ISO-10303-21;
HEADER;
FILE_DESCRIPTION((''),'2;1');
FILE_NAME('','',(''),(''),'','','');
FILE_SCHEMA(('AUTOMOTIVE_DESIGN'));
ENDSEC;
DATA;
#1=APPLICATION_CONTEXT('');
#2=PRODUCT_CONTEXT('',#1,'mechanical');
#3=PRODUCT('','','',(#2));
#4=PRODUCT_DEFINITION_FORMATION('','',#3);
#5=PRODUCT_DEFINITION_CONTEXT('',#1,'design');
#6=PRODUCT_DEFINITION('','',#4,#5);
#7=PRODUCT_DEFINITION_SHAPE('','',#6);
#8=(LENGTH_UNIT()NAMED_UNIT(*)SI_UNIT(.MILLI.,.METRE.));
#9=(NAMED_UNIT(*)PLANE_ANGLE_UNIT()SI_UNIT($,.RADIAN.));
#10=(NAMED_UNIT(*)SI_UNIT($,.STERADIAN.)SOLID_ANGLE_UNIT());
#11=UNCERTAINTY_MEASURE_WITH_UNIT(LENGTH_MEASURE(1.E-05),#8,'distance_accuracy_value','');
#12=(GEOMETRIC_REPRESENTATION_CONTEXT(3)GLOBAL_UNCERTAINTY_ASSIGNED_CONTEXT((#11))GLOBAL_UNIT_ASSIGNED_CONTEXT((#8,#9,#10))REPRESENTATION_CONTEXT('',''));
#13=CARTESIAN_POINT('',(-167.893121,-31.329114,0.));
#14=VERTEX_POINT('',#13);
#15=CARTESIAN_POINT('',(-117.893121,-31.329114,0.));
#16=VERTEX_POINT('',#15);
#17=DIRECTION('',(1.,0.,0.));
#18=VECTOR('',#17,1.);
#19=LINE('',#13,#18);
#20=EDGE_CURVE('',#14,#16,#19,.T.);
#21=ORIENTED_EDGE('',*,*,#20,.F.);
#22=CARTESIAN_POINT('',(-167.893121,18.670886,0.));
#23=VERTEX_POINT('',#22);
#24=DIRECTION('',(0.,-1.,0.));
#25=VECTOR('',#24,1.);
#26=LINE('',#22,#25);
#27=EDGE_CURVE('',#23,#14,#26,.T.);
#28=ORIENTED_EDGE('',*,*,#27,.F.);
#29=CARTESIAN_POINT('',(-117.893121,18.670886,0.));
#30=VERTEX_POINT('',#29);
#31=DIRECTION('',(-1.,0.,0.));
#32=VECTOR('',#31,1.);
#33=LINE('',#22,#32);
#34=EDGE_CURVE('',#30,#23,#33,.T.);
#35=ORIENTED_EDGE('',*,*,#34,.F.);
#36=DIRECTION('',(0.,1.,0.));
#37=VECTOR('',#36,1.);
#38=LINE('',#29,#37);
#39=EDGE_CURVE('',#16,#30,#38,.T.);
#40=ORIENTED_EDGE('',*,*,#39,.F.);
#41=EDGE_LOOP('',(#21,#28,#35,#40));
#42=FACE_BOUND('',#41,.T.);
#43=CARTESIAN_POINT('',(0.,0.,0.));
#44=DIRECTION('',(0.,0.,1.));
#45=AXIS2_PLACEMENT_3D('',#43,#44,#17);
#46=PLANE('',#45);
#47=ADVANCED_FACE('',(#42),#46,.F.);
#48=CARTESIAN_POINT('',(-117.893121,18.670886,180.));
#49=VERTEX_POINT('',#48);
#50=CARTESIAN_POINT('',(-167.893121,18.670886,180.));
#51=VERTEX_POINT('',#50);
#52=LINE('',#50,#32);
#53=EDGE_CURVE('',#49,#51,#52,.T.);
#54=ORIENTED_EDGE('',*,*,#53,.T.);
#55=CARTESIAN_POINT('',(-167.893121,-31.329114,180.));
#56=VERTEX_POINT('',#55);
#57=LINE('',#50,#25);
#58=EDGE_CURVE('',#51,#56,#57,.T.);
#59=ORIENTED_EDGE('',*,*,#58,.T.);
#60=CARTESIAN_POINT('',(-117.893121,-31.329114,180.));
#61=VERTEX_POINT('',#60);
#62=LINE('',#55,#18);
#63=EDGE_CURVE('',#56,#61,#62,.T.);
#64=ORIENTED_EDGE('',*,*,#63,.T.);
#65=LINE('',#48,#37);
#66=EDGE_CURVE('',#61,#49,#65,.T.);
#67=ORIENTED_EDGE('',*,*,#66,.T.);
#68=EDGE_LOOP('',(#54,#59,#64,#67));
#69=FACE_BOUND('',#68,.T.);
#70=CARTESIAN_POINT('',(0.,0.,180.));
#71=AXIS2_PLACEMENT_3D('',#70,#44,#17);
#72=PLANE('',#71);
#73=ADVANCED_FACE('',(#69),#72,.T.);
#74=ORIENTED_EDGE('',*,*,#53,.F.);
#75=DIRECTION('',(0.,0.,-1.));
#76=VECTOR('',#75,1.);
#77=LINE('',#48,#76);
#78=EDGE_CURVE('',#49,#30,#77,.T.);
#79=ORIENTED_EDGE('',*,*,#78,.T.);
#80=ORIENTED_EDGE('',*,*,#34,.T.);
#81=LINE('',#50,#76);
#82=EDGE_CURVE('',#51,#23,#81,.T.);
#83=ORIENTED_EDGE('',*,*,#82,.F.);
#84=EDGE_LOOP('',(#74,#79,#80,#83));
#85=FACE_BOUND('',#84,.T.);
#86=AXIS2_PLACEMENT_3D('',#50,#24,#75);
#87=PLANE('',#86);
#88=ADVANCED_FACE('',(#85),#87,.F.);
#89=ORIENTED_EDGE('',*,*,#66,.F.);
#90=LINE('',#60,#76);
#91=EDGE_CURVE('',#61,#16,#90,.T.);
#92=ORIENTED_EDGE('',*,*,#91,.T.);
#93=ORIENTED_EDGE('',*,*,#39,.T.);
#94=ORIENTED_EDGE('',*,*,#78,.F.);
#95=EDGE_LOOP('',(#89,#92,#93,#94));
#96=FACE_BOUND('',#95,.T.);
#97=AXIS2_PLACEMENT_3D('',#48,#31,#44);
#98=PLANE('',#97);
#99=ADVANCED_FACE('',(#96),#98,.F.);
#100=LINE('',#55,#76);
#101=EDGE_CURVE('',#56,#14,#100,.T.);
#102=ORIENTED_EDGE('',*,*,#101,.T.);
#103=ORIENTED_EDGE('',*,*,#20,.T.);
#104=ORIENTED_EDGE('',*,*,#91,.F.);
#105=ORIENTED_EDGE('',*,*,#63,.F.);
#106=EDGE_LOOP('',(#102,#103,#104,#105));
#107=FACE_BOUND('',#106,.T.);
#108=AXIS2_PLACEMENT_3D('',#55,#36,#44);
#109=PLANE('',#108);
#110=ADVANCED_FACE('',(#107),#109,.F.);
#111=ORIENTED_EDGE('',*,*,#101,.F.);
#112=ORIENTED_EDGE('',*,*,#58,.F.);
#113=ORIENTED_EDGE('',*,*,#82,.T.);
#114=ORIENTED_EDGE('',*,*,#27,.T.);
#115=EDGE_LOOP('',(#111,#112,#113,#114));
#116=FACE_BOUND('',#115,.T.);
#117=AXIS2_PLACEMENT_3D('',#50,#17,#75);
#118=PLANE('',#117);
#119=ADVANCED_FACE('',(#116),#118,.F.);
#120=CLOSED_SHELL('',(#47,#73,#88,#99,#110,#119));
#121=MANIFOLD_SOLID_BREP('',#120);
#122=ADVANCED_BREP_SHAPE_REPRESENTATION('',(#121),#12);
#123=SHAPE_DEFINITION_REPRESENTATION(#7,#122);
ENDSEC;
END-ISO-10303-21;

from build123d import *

# Parameters (mm, degrees)
ESBO_O2_W                = 50
ESBO_O2_H                = 50
RESSALTO_EXTRUS_O1_DEPTH = 180


with BuildPart() as part:
    # Esboço2 → Ressalto-extrusão1 (new body)
    with BuildSketch(Plane.XY):
        with Locations((-142.893120649, -6.329113924)):
            Rectangle(ESBO_O2_W, ESBO_O2_H)
    extrude(amount=RESSALTO_EXTRUS_O1_DEPTH)


solid = part.part
